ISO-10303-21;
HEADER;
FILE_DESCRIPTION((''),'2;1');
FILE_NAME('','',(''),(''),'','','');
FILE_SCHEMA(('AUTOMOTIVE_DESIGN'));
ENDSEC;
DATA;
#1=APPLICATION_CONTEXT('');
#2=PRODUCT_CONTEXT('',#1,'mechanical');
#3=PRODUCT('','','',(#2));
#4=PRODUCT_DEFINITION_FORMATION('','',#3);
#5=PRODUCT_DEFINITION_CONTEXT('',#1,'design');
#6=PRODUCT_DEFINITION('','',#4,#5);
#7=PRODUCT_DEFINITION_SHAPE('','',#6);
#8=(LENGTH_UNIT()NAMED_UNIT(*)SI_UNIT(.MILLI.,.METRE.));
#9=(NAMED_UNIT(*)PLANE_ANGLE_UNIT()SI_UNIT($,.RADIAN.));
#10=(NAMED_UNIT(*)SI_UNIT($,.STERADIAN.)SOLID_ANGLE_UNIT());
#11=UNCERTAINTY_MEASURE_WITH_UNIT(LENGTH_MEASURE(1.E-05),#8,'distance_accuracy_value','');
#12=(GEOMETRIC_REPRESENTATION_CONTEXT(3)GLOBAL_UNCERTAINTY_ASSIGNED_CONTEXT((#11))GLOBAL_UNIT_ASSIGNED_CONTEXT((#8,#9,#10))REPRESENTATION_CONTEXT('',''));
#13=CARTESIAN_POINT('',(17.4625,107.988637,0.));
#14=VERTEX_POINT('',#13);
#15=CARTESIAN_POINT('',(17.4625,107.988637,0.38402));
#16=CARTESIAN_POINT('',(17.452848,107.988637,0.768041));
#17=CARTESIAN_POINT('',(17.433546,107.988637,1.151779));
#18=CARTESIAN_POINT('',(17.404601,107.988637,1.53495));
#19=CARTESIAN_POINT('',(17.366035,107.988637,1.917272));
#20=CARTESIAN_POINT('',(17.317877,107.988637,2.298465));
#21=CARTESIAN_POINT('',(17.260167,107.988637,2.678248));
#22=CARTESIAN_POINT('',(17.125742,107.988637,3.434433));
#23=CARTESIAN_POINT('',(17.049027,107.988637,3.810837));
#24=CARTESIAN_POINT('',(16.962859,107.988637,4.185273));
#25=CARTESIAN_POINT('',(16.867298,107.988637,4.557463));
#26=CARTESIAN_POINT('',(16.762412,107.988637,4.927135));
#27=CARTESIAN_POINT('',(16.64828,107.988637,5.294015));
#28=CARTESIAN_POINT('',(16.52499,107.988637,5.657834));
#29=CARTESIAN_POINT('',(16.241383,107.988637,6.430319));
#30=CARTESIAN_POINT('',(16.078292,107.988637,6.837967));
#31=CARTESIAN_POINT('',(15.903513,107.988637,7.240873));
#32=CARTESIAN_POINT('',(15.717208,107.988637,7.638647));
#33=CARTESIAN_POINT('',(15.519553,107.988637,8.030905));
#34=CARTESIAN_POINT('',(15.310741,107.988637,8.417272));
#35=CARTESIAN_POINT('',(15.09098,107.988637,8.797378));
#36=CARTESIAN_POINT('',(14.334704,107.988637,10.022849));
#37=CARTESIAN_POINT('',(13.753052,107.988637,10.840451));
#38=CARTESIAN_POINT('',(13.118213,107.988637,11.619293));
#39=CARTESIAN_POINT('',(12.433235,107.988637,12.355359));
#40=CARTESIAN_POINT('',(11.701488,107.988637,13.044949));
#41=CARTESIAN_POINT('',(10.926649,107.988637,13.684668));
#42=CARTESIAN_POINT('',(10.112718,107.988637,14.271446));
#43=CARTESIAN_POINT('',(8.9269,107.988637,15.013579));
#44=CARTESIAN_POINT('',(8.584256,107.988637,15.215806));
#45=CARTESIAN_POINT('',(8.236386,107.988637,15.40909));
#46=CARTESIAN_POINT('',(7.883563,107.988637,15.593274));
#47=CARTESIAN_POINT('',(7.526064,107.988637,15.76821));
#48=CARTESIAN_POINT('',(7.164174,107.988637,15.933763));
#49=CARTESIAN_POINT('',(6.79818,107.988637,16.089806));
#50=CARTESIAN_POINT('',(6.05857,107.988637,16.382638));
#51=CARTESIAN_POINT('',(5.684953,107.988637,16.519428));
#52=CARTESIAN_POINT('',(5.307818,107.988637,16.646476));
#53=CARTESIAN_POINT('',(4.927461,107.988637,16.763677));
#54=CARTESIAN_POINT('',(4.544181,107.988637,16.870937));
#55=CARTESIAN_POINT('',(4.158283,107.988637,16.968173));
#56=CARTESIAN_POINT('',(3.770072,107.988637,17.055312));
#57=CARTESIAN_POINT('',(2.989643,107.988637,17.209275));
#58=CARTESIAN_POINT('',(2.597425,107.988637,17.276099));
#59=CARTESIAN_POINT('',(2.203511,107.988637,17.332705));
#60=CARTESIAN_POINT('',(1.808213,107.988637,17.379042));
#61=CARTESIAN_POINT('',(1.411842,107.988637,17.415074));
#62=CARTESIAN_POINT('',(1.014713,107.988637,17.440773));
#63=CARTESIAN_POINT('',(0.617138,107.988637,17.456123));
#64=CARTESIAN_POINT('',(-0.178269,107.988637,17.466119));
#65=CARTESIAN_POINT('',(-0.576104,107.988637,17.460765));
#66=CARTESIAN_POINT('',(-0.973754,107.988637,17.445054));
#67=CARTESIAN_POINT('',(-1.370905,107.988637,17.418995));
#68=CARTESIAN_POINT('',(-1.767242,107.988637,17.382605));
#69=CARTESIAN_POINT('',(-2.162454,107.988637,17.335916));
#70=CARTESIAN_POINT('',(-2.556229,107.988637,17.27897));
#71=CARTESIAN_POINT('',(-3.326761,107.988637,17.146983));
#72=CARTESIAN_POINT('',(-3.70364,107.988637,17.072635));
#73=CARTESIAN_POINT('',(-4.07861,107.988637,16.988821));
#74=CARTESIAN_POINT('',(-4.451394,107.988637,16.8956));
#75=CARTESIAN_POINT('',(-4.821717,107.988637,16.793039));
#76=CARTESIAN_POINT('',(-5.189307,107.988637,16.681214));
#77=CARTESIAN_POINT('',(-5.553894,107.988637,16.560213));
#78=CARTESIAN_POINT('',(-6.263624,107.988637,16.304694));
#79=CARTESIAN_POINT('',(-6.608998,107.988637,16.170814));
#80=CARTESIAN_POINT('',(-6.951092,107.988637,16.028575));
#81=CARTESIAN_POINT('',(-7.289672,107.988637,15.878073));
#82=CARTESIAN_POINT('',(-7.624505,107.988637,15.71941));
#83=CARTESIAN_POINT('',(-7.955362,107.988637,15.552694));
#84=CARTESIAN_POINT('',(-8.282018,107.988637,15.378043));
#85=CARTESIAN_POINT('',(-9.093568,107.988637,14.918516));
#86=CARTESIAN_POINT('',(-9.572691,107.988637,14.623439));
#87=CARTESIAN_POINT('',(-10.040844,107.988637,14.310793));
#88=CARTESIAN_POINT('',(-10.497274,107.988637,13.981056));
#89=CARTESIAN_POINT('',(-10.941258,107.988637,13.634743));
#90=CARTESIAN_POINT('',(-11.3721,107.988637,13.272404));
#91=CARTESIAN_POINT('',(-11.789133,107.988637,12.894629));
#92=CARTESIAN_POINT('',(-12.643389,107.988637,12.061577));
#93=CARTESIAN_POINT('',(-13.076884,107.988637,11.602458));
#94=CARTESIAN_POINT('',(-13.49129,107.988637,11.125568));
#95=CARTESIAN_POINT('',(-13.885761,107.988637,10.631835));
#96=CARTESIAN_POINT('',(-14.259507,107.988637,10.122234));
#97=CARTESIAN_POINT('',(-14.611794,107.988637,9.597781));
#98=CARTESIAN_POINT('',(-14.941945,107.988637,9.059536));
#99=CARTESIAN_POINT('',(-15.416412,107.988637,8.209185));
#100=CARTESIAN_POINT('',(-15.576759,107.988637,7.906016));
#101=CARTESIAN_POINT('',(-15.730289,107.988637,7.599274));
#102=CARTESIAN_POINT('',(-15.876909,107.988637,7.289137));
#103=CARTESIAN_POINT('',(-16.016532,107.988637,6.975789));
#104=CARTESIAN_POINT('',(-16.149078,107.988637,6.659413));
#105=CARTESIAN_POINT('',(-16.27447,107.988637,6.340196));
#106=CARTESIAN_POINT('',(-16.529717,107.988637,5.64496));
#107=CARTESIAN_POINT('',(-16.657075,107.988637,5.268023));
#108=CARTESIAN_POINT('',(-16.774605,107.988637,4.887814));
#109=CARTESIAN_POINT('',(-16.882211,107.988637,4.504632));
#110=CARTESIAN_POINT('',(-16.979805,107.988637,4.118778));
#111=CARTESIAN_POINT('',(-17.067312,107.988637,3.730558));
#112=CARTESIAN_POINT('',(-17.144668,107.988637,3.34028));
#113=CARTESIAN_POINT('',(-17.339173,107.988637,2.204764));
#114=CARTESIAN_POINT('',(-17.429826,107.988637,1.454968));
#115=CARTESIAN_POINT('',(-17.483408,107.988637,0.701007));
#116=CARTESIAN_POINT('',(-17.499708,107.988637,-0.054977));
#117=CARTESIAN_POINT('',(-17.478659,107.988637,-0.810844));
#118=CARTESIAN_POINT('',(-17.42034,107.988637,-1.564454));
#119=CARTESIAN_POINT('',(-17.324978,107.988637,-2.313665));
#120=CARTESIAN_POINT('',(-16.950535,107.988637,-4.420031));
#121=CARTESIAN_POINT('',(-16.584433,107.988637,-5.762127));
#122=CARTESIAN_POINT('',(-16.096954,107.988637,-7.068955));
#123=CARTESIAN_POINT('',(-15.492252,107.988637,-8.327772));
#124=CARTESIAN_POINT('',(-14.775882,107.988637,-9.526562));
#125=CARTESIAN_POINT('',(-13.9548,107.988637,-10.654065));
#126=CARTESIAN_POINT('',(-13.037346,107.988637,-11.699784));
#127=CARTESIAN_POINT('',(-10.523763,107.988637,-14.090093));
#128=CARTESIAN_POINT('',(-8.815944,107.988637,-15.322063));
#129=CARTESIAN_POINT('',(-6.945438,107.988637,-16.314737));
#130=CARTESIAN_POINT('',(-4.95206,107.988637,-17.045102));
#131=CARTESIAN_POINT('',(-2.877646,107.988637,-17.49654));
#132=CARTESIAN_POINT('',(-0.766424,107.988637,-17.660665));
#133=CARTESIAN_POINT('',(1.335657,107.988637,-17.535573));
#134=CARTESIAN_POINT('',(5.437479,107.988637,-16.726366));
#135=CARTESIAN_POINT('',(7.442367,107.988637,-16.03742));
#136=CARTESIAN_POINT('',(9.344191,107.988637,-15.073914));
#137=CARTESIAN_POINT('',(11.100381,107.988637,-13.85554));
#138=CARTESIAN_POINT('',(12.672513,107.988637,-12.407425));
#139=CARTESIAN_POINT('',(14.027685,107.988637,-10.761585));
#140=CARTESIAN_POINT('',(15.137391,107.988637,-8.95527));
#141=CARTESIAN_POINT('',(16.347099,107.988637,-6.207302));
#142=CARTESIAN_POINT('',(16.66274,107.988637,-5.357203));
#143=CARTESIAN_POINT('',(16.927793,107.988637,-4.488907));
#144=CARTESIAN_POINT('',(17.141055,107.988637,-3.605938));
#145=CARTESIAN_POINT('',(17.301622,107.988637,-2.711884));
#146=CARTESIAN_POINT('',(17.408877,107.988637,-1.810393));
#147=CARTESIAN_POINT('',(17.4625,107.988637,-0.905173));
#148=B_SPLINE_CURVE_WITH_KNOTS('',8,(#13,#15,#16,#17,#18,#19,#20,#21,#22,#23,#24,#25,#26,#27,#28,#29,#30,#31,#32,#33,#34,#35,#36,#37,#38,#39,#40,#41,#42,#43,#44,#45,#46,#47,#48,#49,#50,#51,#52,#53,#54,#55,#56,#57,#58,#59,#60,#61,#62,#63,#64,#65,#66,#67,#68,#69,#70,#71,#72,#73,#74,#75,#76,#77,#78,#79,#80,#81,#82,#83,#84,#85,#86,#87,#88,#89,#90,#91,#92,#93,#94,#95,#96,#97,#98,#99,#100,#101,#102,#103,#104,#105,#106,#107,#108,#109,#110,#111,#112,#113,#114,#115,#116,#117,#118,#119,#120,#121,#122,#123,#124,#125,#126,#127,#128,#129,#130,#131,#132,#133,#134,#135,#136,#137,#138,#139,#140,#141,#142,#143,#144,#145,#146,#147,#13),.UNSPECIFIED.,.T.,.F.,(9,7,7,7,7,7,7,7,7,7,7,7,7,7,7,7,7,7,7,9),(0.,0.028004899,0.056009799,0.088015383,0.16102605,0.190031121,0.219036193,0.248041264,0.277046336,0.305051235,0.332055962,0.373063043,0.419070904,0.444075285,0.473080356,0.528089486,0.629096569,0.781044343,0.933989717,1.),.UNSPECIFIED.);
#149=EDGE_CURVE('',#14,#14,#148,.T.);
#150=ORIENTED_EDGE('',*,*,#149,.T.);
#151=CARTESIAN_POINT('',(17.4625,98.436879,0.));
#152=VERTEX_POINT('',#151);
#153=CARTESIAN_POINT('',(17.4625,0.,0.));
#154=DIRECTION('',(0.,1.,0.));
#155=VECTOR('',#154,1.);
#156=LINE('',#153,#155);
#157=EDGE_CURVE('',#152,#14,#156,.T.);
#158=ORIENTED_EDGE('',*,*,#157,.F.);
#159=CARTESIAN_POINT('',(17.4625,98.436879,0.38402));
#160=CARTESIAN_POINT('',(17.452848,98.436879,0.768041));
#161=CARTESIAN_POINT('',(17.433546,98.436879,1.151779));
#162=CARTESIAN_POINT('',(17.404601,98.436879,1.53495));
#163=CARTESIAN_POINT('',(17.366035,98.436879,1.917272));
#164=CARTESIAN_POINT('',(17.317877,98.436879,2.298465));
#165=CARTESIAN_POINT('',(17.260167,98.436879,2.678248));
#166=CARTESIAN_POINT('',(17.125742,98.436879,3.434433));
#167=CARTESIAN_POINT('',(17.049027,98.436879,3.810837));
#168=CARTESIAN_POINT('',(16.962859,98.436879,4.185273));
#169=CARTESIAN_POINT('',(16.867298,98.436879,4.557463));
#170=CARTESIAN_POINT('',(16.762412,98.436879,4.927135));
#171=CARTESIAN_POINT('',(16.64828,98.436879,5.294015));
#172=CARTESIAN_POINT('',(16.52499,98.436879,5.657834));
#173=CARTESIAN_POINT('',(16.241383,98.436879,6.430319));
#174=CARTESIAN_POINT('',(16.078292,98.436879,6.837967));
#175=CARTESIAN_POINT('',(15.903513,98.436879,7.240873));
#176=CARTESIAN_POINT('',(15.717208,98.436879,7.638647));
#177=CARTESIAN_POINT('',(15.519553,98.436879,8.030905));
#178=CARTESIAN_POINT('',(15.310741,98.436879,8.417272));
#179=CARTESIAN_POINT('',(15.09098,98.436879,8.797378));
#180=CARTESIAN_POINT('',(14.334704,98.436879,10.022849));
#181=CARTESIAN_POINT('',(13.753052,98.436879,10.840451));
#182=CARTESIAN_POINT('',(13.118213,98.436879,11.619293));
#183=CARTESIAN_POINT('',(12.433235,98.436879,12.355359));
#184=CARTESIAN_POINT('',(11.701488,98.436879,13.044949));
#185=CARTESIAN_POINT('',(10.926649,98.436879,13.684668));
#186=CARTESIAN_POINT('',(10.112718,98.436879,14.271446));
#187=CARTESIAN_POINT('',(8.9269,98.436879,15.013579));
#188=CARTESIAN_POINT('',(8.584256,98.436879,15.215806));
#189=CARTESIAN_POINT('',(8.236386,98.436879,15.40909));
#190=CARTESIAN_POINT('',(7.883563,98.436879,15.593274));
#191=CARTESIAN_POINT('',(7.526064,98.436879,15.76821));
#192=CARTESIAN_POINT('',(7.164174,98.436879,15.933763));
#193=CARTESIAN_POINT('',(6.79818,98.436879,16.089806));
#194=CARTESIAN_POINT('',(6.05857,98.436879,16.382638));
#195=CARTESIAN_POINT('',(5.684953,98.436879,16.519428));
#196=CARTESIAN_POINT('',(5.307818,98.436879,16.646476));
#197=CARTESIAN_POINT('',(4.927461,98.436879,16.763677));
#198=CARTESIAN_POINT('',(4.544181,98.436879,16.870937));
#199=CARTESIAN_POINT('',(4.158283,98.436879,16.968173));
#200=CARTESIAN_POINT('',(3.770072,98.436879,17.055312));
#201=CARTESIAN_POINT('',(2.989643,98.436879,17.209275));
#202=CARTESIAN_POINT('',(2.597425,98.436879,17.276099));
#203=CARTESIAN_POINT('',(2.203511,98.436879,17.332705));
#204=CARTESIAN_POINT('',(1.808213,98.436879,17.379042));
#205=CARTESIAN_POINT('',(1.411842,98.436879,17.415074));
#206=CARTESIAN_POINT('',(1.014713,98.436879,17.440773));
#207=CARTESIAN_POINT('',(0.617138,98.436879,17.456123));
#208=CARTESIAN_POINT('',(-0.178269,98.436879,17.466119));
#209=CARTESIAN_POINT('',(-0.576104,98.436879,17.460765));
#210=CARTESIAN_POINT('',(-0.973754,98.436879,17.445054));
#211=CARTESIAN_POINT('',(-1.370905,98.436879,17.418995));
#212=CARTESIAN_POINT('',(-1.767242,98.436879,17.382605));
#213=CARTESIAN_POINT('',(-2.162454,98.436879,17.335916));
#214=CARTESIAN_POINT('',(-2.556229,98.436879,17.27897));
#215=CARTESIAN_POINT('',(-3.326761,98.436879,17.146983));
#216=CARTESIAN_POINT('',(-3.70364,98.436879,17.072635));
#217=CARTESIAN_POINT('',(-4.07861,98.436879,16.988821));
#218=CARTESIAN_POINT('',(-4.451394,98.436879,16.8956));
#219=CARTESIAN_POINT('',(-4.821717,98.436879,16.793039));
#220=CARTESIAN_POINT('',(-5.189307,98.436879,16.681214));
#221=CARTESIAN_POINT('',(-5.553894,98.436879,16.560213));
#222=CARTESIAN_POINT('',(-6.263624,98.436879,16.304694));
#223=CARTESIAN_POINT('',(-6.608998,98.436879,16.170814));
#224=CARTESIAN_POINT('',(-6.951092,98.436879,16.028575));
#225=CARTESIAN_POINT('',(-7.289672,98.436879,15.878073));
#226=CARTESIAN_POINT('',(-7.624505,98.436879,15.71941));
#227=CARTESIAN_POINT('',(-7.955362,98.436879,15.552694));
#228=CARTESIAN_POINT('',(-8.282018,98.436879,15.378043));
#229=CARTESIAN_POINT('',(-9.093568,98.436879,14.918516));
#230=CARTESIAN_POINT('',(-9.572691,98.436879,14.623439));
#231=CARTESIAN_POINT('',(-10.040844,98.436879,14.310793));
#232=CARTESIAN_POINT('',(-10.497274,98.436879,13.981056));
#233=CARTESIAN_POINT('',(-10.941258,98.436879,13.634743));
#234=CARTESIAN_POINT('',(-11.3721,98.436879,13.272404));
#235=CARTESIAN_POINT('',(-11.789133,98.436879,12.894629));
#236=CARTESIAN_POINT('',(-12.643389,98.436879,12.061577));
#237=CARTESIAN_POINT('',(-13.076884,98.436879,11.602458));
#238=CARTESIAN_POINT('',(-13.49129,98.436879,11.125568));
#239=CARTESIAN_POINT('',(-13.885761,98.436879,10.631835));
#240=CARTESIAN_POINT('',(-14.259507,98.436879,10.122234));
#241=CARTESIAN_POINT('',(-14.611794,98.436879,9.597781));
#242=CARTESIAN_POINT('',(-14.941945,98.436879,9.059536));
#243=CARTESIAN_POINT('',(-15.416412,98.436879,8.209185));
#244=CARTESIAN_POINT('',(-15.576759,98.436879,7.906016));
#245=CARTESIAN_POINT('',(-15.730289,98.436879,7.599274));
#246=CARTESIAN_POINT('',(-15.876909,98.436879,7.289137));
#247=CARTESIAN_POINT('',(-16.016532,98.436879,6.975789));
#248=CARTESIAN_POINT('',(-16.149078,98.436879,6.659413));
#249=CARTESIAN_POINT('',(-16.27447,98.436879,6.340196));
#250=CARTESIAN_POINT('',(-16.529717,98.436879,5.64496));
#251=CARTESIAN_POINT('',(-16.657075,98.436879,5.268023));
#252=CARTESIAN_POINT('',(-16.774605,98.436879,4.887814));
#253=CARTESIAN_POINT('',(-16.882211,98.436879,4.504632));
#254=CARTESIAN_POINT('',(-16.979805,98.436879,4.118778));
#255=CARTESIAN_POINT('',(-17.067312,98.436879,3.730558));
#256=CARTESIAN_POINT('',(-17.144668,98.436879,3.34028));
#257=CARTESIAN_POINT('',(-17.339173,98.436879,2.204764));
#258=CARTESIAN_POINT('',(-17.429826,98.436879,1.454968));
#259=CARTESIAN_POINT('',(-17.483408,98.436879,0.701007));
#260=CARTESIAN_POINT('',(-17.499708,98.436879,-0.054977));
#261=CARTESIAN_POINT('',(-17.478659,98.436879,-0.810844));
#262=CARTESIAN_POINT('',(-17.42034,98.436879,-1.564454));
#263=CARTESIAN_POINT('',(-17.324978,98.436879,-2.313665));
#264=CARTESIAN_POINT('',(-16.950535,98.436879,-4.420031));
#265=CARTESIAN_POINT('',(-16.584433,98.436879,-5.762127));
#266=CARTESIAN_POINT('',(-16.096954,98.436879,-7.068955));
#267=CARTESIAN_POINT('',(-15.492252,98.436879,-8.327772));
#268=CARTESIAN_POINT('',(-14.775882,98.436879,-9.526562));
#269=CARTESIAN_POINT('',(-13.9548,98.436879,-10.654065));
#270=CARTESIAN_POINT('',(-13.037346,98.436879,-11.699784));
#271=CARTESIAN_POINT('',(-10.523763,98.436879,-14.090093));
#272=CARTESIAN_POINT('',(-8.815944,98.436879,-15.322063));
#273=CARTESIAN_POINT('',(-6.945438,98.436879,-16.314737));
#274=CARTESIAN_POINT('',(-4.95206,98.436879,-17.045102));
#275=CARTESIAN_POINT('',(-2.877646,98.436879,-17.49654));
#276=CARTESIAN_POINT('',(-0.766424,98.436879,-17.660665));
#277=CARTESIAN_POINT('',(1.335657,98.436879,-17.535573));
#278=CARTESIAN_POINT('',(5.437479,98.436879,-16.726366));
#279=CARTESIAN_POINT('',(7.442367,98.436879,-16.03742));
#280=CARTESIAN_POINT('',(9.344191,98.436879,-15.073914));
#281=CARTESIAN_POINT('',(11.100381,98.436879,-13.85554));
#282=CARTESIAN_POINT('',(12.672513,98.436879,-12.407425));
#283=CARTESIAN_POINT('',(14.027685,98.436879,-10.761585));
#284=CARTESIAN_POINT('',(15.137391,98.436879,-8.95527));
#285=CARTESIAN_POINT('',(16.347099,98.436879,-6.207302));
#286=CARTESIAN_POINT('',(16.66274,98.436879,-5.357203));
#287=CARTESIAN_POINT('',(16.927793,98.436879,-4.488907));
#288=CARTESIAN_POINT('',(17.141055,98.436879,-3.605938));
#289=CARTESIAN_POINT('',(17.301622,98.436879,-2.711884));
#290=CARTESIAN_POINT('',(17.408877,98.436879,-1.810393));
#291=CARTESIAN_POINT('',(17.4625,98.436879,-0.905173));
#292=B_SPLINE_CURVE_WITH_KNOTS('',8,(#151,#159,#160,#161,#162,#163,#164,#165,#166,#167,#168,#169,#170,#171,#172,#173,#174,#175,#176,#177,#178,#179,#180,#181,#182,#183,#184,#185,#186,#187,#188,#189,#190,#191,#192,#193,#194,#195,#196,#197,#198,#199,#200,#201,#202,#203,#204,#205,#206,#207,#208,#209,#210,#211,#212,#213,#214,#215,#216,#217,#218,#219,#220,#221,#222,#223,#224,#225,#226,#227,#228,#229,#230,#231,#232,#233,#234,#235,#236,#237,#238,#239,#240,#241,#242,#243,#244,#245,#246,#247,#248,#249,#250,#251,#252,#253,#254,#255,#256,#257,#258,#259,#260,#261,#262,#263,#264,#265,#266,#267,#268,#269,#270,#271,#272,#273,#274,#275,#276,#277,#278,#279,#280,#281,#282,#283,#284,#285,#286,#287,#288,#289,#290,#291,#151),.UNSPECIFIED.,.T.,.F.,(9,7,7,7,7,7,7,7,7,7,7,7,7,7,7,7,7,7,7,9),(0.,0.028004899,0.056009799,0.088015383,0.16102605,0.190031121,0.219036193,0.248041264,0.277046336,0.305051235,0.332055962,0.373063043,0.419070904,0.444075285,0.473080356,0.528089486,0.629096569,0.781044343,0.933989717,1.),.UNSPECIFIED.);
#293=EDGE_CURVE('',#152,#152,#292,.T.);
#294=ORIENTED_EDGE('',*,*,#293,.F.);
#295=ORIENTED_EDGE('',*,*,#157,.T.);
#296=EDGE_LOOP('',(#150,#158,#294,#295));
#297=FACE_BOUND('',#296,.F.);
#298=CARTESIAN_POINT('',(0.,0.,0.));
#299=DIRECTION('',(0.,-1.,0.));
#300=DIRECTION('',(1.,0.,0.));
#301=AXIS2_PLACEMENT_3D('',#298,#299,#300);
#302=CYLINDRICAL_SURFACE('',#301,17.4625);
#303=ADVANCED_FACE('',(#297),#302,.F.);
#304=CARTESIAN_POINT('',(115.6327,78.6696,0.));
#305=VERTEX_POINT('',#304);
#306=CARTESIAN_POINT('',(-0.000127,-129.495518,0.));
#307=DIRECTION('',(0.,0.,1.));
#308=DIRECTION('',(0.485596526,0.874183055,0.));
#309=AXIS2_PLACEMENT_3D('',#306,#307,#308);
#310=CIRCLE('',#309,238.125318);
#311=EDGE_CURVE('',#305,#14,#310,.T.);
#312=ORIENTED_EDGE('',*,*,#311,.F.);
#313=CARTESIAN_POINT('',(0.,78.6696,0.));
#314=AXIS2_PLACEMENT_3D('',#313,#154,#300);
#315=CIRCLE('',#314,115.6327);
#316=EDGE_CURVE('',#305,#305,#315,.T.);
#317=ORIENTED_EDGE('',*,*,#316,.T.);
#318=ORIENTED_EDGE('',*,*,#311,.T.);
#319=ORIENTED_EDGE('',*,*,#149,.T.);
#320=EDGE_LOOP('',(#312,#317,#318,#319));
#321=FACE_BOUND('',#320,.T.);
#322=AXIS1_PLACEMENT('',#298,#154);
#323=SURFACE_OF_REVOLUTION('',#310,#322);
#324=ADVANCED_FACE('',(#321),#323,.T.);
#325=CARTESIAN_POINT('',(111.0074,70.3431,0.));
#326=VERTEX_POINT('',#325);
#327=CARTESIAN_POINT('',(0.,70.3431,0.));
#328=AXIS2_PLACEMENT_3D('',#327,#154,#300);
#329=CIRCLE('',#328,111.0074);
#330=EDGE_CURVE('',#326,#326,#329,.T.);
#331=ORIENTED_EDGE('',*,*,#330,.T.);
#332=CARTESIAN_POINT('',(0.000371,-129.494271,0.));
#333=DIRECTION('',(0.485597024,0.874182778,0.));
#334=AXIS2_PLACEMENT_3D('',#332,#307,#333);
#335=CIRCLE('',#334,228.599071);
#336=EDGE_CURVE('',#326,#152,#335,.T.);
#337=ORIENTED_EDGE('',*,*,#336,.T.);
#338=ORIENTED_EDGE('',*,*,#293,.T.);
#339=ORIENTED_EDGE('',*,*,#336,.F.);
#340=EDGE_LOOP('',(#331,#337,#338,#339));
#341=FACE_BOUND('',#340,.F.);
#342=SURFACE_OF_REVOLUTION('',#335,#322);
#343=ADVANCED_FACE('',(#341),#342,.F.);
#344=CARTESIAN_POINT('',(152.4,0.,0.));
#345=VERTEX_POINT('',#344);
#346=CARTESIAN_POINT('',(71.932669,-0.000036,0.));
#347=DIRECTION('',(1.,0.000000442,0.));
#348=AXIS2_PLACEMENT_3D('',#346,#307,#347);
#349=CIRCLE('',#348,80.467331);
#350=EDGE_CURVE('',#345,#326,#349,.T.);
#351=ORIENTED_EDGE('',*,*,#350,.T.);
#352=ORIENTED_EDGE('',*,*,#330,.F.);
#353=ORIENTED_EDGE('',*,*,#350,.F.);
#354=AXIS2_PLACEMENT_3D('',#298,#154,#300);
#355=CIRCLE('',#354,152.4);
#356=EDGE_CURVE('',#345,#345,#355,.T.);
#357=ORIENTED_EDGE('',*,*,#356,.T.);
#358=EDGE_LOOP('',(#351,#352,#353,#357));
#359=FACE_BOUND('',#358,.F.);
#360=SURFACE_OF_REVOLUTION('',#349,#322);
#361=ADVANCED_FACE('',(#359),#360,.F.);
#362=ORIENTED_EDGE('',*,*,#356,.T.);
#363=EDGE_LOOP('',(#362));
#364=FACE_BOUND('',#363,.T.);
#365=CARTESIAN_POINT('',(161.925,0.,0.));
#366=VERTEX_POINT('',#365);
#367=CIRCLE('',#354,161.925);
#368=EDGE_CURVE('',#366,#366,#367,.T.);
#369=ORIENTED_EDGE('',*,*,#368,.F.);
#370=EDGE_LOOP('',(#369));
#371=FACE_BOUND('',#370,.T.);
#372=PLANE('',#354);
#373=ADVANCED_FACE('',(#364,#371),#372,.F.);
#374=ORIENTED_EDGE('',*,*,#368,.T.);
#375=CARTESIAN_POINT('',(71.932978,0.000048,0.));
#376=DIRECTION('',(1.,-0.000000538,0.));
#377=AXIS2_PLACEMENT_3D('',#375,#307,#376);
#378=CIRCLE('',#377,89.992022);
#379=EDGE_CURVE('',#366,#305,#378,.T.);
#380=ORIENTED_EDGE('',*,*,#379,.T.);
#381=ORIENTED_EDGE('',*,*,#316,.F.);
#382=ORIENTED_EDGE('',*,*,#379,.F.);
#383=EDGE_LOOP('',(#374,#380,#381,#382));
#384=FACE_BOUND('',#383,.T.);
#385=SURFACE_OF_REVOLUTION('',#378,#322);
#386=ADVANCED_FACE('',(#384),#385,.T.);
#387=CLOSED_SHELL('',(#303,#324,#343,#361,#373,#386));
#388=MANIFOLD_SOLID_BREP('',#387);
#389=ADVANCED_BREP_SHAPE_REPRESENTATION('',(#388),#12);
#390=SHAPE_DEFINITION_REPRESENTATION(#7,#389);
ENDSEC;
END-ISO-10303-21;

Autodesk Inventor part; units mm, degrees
ref_plane "YZ Plane" through (0, 0, 0) normal (1, 0, 0) x (0, 1, 0)
ref_plane "XZ Plane" through (0, 0, 0) normal (0, 1, 0) x (-1, 0, 0)
ref_plane "XY Plane" through (0, 0, 0) normal (0, 0, 1) x (1, 0, 0)
sketch "Sketch1" plane through (0, 0, 0) normal (0, 0, 1) x (1, 0, 0)
  arc A0 (152.4, 0) -> (111.0074, 70.3431) centre (71.9328, 0) ccw
  arc A1 (111.0074, 70.3431) -> (0, 99.1048) centre (0, -129.4952) ccw
  line L0 (152.4, -5.7873) -> (152.4, 0) construction
  line L1 (161.925, 0) -> (161.925, -5.7873) construction
  line L2 (152.4, 0) -> (161.925, 0)
  line L3 (0, 0) -> (0, 14.6977) construction
  arc A2 (161.925, 0) -> (115.6327, 78.6696) centre (71.9328, 0) ccw
  arc A3 (115.6327, 78.6696) -> (0, 108.6298) centre (0, -129.4952) ccw
  line L4 (0, 99.1048) -> (0, 108.6298)
  dimension "d1" = 9.525
  dimension "d2" = 161.925
  dimension "d3" = 228.6
  dimension "d4" = 80.4672
revolve "Revolution1" add sketch "Sketch1" angle 360 about axis through (0, 0, 0) along (0, 1, 0)
sketch "Sketch2" plane through (0, 0, 0) normal (0, -1, 0) x (1, 0, 0)
  circle A0 centre (0, 0) radius 17.4625
  dimension "d6" = 34.925
extrude "Extrusion1" cut sketch "Sketch2" against normal through all
equation "\"d3\" = -1.5 * d1 + 1.5 * d2"
equation "\"d4\" = -0.528 * d1 + 0.528 * d2"
properties part number "ODSY-0004-002" material "Stainless Steel, 440C"
